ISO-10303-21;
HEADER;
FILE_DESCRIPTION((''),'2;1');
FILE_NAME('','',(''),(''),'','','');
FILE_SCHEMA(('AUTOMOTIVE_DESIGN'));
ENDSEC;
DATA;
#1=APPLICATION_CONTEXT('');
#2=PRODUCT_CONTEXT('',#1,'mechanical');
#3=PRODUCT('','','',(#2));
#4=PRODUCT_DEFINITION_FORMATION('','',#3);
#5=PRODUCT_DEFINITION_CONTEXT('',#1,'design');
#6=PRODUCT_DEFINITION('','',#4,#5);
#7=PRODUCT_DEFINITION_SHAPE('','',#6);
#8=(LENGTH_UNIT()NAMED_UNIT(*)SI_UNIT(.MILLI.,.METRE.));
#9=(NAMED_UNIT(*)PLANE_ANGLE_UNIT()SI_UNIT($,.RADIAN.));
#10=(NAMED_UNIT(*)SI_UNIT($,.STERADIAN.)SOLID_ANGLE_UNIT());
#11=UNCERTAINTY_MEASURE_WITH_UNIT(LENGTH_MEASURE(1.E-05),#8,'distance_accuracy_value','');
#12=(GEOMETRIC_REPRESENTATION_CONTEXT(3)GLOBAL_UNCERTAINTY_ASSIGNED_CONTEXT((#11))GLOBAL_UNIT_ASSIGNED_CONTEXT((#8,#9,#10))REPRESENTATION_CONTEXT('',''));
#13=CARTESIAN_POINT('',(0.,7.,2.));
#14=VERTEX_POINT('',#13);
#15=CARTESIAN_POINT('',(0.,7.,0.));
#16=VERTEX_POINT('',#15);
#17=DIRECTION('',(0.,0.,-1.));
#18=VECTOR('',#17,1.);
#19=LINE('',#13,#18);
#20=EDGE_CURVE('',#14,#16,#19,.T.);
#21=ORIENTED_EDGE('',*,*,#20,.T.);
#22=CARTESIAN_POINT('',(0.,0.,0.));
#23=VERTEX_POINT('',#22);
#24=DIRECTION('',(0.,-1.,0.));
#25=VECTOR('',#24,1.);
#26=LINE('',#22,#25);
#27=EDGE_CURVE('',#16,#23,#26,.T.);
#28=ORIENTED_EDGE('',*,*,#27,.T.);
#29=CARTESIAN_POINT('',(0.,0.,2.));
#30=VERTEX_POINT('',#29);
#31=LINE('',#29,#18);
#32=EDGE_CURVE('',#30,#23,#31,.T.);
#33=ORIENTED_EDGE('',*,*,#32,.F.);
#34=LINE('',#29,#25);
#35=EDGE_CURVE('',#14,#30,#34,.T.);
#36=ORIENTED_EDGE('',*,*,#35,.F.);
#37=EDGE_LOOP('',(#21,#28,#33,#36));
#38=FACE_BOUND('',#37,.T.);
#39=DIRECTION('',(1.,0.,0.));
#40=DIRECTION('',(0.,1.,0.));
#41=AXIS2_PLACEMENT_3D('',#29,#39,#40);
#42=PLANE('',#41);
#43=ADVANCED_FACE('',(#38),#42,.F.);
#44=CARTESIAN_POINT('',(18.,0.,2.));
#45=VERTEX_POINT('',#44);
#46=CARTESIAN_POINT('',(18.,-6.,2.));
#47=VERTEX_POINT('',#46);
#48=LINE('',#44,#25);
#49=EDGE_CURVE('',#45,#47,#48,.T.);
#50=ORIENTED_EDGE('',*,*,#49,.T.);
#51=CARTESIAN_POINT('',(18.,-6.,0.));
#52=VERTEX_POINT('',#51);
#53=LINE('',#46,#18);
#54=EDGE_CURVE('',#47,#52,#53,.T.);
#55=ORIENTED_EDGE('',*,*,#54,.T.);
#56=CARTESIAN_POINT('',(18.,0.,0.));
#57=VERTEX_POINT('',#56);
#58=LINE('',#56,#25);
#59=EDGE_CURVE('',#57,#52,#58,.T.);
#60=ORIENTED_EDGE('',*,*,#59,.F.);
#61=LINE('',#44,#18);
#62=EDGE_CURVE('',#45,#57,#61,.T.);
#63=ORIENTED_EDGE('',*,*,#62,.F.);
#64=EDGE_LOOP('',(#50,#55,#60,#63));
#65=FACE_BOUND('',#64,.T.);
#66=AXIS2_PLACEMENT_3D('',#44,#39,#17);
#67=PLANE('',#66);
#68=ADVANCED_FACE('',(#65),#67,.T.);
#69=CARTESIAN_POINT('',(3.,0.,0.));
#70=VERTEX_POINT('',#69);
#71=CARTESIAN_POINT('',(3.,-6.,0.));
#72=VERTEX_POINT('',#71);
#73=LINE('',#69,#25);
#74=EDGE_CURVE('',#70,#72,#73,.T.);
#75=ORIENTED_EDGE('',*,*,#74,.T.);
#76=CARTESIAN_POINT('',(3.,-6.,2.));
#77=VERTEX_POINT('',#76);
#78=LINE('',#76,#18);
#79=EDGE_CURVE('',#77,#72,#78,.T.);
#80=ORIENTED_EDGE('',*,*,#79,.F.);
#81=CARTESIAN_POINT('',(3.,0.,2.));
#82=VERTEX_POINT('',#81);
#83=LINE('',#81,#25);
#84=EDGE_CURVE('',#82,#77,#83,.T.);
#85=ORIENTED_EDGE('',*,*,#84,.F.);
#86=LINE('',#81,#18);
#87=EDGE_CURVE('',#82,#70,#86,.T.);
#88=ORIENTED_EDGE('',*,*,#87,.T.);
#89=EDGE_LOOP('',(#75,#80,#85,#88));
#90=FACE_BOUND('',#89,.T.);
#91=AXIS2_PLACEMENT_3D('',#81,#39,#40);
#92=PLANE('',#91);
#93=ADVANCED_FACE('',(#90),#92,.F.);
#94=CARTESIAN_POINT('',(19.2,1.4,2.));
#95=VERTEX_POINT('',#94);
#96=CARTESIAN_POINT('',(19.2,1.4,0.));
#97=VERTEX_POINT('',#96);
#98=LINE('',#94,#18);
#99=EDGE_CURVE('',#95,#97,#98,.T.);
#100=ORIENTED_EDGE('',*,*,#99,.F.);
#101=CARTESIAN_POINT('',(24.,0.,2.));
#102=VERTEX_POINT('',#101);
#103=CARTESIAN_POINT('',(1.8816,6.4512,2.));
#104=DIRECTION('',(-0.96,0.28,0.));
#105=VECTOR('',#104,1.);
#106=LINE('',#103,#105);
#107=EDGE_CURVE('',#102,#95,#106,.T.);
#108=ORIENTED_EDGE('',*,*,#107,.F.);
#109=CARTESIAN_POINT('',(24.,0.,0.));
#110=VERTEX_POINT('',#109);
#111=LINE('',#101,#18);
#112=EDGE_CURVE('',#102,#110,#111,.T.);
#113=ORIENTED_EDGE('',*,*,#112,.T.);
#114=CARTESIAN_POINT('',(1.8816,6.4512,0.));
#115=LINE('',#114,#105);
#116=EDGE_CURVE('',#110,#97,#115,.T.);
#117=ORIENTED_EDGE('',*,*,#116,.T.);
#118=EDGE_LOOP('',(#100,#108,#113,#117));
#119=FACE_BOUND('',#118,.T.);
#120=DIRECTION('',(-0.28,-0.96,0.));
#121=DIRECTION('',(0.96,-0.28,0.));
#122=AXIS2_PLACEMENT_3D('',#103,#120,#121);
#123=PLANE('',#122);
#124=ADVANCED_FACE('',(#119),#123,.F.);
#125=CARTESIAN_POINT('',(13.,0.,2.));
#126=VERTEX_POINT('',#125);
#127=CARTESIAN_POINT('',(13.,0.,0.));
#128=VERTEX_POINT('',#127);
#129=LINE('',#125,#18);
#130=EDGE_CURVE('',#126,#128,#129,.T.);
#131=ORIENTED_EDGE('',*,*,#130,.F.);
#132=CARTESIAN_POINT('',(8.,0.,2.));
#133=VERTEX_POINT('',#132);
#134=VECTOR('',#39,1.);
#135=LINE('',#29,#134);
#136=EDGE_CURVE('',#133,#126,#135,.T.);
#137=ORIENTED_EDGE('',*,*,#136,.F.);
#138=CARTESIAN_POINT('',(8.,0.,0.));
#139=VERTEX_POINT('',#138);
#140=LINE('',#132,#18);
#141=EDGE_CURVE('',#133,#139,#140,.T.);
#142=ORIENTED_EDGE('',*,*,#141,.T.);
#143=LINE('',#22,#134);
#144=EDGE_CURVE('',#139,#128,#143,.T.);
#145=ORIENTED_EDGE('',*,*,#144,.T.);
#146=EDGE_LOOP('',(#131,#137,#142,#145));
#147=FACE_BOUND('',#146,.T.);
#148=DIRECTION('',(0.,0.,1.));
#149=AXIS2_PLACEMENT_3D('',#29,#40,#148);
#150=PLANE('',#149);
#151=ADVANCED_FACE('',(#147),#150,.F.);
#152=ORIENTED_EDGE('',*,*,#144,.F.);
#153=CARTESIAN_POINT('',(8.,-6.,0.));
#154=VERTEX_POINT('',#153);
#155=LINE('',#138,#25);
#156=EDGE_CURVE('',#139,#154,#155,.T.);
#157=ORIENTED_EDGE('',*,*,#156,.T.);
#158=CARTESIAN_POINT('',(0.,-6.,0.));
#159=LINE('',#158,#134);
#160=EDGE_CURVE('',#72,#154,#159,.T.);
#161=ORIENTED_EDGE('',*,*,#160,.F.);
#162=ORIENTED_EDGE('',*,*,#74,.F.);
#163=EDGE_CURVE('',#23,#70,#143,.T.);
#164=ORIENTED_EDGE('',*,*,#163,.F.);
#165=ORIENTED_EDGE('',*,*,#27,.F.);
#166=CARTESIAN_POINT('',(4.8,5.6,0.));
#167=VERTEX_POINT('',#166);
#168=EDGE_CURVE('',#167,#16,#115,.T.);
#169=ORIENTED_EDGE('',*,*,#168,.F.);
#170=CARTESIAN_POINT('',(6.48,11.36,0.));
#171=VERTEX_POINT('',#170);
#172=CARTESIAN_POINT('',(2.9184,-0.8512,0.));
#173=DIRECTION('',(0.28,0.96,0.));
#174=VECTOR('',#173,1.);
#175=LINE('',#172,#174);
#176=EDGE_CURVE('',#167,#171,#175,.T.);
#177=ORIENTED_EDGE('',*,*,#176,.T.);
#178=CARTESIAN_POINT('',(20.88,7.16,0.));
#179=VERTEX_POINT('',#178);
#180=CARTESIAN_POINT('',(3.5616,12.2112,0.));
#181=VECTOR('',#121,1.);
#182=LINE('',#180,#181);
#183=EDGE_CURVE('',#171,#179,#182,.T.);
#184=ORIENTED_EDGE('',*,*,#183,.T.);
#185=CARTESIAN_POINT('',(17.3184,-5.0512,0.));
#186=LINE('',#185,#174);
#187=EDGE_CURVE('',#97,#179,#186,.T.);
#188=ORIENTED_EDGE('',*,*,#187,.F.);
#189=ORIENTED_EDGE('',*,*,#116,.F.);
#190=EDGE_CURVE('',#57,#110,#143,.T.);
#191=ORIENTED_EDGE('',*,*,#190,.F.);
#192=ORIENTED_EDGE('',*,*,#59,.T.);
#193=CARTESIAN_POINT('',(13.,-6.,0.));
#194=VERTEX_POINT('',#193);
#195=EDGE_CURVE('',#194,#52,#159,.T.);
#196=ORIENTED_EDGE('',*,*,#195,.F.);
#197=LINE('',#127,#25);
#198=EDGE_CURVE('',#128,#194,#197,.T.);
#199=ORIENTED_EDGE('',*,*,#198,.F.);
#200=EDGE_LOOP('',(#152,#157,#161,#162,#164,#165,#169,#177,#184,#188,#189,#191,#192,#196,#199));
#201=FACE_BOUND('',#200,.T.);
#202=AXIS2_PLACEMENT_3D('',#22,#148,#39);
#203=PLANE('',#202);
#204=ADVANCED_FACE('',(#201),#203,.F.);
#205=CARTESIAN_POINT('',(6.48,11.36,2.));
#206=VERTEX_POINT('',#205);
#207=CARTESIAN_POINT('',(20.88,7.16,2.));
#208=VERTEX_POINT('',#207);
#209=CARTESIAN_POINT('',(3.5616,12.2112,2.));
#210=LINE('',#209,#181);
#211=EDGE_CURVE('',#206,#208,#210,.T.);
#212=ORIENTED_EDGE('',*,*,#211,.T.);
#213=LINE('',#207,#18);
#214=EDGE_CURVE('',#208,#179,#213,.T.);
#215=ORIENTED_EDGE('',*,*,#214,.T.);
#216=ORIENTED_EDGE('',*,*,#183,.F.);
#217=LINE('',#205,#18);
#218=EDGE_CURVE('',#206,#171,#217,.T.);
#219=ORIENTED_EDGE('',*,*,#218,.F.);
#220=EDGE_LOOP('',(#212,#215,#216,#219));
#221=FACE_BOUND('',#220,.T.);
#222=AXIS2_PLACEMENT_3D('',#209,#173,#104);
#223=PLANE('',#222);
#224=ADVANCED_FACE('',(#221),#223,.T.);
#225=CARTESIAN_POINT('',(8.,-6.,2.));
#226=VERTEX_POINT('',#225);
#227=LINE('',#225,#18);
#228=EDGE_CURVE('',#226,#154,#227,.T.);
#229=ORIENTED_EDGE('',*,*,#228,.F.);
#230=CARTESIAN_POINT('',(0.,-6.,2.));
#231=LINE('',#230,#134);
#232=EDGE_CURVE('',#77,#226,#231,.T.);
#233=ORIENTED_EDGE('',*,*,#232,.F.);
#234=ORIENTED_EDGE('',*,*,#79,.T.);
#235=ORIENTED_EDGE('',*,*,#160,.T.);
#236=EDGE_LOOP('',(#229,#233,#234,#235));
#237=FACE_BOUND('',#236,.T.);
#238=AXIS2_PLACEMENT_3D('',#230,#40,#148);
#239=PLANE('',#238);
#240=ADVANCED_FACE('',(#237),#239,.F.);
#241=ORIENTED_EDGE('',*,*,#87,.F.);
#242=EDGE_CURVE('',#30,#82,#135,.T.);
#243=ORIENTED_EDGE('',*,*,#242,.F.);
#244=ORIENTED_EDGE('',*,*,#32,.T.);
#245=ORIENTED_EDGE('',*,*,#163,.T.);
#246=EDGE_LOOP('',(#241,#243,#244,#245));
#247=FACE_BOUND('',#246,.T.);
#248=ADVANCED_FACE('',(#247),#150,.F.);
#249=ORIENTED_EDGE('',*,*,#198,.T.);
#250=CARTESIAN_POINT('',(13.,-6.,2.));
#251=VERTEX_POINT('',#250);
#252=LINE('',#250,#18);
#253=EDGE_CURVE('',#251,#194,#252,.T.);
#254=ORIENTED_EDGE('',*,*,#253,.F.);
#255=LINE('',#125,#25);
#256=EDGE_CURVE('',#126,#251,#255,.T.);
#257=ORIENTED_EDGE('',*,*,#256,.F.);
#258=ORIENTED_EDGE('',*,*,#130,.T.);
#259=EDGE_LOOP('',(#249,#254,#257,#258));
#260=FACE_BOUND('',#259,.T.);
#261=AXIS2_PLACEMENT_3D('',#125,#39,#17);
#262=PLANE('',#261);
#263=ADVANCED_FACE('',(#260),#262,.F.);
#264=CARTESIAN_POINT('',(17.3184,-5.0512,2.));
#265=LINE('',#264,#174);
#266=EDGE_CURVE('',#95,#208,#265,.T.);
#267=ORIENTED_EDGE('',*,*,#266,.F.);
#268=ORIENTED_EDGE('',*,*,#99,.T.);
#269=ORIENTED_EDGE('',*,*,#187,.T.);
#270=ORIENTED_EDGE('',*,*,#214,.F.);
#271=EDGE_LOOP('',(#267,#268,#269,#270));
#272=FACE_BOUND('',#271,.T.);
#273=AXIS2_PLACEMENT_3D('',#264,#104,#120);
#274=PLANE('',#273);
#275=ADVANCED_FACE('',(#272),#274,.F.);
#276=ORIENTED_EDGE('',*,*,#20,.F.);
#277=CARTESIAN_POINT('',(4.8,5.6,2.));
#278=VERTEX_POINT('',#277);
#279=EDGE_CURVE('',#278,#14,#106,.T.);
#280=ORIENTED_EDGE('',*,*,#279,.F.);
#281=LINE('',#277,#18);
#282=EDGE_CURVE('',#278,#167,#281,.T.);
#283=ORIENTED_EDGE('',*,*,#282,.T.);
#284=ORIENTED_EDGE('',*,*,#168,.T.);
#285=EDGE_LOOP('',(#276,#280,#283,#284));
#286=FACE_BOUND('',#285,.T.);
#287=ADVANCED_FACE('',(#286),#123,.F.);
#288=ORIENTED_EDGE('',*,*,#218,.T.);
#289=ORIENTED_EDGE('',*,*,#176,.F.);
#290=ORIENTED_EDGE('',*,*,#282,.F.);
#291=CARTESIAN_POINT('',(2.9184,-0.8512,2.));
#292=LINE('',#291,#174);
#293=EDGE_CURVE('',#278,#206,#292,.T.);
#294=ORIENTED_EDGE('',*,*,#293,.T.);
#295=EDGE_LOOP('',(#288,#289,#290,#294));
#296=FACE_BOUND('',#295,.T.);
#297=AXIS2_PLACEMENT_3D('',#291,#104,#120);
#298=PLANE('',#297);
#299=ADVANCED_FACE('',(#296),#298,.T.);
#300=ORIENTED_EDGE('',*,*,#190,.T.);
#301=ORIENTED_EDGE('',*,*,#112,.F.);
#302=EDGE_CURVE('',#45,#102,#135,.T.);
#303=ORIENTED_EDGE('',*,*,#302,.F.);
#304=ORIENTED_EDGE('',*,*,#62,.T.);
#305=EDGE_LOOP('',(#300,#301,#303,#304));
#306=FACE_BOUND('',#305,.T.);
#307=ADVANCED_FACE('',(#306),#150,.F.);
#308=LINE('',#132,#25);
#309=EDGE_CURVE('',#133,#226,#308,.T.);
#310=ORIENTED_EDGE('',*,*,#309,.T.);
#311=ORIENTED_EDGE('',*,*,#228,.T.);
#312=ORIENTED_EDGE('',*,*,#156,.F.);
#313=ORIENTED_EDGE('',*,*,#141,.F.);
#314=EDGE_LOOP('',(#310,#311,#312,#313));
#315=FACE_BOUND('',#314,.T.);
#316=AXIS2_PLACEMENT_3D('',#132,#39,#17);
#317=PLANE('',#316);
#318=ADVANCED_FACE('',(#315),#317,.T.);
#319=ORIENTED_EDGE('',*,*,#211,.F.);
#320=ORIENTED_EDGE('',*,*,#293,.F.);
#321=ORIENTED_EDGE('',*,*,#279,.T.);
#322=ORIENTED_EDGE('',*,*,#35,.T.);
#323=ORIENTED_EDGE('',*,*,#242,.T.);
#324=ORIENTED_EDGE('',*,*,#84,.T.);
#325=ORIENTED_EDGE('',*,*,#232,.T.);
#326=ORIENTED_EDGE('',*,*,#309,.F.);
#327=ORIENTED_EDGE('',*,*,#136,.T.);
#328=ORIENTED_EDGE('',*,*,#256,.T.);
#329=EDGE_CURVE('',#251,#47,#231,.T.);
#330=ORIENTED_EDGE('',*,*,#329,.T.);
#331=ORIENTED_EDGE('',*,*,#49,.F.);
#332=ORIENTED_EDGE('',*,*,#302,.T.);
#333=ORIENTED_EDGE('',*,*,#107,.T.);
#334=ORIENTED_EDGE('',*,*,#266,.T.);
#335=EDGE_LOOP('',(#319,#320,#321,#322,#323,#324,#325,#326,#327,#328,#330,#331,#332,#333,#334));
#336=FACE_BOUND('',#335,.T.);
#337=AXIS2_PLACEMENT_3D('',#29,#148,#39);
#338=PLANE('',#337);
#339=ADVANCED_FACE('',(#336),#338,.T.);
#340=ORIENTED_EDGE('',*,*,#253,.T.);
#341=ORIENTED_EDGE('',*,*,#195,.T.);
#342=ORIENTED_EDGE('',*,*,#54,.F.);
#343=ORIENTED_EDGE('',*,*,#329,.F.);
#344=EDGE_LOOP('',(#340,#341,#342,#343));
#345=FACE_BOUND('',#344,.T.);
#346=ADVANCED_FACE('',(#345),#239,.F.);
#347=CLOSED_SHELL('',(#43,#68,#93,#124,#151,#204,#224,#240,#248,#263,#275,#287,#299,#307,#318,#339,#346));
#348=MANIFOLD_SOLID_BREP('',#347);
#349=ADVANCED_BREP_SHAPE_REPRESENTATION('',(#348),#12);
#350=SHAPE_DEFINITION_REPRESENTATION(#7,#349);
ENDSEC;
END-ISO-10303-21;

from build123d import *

# Parameters (mm, degrees)
Y_KSEKLIK_EKSTR_ZYON2_DEPTH = 2


with BuildPart() as part:
    # Çizim2 → Yükseklik-Ekstrüzyon2 (new body)
    with BuildSketch(Plane.XY):
        Polygon((0, 7), (0, 0), (3, 0), (3, -6), (8, -6), (8, 0), (13, 0), (13, -6), (18, -6), (18, 0), (24, 0), (19.2, 1.4), (20.88, 7.16), (6.48, 11.36), (4.8, 5.6), align=None)
    extrude(amount=Y_KSEKLIK_EKSTR_ZYON2_DEPTH)


solid = part.part
